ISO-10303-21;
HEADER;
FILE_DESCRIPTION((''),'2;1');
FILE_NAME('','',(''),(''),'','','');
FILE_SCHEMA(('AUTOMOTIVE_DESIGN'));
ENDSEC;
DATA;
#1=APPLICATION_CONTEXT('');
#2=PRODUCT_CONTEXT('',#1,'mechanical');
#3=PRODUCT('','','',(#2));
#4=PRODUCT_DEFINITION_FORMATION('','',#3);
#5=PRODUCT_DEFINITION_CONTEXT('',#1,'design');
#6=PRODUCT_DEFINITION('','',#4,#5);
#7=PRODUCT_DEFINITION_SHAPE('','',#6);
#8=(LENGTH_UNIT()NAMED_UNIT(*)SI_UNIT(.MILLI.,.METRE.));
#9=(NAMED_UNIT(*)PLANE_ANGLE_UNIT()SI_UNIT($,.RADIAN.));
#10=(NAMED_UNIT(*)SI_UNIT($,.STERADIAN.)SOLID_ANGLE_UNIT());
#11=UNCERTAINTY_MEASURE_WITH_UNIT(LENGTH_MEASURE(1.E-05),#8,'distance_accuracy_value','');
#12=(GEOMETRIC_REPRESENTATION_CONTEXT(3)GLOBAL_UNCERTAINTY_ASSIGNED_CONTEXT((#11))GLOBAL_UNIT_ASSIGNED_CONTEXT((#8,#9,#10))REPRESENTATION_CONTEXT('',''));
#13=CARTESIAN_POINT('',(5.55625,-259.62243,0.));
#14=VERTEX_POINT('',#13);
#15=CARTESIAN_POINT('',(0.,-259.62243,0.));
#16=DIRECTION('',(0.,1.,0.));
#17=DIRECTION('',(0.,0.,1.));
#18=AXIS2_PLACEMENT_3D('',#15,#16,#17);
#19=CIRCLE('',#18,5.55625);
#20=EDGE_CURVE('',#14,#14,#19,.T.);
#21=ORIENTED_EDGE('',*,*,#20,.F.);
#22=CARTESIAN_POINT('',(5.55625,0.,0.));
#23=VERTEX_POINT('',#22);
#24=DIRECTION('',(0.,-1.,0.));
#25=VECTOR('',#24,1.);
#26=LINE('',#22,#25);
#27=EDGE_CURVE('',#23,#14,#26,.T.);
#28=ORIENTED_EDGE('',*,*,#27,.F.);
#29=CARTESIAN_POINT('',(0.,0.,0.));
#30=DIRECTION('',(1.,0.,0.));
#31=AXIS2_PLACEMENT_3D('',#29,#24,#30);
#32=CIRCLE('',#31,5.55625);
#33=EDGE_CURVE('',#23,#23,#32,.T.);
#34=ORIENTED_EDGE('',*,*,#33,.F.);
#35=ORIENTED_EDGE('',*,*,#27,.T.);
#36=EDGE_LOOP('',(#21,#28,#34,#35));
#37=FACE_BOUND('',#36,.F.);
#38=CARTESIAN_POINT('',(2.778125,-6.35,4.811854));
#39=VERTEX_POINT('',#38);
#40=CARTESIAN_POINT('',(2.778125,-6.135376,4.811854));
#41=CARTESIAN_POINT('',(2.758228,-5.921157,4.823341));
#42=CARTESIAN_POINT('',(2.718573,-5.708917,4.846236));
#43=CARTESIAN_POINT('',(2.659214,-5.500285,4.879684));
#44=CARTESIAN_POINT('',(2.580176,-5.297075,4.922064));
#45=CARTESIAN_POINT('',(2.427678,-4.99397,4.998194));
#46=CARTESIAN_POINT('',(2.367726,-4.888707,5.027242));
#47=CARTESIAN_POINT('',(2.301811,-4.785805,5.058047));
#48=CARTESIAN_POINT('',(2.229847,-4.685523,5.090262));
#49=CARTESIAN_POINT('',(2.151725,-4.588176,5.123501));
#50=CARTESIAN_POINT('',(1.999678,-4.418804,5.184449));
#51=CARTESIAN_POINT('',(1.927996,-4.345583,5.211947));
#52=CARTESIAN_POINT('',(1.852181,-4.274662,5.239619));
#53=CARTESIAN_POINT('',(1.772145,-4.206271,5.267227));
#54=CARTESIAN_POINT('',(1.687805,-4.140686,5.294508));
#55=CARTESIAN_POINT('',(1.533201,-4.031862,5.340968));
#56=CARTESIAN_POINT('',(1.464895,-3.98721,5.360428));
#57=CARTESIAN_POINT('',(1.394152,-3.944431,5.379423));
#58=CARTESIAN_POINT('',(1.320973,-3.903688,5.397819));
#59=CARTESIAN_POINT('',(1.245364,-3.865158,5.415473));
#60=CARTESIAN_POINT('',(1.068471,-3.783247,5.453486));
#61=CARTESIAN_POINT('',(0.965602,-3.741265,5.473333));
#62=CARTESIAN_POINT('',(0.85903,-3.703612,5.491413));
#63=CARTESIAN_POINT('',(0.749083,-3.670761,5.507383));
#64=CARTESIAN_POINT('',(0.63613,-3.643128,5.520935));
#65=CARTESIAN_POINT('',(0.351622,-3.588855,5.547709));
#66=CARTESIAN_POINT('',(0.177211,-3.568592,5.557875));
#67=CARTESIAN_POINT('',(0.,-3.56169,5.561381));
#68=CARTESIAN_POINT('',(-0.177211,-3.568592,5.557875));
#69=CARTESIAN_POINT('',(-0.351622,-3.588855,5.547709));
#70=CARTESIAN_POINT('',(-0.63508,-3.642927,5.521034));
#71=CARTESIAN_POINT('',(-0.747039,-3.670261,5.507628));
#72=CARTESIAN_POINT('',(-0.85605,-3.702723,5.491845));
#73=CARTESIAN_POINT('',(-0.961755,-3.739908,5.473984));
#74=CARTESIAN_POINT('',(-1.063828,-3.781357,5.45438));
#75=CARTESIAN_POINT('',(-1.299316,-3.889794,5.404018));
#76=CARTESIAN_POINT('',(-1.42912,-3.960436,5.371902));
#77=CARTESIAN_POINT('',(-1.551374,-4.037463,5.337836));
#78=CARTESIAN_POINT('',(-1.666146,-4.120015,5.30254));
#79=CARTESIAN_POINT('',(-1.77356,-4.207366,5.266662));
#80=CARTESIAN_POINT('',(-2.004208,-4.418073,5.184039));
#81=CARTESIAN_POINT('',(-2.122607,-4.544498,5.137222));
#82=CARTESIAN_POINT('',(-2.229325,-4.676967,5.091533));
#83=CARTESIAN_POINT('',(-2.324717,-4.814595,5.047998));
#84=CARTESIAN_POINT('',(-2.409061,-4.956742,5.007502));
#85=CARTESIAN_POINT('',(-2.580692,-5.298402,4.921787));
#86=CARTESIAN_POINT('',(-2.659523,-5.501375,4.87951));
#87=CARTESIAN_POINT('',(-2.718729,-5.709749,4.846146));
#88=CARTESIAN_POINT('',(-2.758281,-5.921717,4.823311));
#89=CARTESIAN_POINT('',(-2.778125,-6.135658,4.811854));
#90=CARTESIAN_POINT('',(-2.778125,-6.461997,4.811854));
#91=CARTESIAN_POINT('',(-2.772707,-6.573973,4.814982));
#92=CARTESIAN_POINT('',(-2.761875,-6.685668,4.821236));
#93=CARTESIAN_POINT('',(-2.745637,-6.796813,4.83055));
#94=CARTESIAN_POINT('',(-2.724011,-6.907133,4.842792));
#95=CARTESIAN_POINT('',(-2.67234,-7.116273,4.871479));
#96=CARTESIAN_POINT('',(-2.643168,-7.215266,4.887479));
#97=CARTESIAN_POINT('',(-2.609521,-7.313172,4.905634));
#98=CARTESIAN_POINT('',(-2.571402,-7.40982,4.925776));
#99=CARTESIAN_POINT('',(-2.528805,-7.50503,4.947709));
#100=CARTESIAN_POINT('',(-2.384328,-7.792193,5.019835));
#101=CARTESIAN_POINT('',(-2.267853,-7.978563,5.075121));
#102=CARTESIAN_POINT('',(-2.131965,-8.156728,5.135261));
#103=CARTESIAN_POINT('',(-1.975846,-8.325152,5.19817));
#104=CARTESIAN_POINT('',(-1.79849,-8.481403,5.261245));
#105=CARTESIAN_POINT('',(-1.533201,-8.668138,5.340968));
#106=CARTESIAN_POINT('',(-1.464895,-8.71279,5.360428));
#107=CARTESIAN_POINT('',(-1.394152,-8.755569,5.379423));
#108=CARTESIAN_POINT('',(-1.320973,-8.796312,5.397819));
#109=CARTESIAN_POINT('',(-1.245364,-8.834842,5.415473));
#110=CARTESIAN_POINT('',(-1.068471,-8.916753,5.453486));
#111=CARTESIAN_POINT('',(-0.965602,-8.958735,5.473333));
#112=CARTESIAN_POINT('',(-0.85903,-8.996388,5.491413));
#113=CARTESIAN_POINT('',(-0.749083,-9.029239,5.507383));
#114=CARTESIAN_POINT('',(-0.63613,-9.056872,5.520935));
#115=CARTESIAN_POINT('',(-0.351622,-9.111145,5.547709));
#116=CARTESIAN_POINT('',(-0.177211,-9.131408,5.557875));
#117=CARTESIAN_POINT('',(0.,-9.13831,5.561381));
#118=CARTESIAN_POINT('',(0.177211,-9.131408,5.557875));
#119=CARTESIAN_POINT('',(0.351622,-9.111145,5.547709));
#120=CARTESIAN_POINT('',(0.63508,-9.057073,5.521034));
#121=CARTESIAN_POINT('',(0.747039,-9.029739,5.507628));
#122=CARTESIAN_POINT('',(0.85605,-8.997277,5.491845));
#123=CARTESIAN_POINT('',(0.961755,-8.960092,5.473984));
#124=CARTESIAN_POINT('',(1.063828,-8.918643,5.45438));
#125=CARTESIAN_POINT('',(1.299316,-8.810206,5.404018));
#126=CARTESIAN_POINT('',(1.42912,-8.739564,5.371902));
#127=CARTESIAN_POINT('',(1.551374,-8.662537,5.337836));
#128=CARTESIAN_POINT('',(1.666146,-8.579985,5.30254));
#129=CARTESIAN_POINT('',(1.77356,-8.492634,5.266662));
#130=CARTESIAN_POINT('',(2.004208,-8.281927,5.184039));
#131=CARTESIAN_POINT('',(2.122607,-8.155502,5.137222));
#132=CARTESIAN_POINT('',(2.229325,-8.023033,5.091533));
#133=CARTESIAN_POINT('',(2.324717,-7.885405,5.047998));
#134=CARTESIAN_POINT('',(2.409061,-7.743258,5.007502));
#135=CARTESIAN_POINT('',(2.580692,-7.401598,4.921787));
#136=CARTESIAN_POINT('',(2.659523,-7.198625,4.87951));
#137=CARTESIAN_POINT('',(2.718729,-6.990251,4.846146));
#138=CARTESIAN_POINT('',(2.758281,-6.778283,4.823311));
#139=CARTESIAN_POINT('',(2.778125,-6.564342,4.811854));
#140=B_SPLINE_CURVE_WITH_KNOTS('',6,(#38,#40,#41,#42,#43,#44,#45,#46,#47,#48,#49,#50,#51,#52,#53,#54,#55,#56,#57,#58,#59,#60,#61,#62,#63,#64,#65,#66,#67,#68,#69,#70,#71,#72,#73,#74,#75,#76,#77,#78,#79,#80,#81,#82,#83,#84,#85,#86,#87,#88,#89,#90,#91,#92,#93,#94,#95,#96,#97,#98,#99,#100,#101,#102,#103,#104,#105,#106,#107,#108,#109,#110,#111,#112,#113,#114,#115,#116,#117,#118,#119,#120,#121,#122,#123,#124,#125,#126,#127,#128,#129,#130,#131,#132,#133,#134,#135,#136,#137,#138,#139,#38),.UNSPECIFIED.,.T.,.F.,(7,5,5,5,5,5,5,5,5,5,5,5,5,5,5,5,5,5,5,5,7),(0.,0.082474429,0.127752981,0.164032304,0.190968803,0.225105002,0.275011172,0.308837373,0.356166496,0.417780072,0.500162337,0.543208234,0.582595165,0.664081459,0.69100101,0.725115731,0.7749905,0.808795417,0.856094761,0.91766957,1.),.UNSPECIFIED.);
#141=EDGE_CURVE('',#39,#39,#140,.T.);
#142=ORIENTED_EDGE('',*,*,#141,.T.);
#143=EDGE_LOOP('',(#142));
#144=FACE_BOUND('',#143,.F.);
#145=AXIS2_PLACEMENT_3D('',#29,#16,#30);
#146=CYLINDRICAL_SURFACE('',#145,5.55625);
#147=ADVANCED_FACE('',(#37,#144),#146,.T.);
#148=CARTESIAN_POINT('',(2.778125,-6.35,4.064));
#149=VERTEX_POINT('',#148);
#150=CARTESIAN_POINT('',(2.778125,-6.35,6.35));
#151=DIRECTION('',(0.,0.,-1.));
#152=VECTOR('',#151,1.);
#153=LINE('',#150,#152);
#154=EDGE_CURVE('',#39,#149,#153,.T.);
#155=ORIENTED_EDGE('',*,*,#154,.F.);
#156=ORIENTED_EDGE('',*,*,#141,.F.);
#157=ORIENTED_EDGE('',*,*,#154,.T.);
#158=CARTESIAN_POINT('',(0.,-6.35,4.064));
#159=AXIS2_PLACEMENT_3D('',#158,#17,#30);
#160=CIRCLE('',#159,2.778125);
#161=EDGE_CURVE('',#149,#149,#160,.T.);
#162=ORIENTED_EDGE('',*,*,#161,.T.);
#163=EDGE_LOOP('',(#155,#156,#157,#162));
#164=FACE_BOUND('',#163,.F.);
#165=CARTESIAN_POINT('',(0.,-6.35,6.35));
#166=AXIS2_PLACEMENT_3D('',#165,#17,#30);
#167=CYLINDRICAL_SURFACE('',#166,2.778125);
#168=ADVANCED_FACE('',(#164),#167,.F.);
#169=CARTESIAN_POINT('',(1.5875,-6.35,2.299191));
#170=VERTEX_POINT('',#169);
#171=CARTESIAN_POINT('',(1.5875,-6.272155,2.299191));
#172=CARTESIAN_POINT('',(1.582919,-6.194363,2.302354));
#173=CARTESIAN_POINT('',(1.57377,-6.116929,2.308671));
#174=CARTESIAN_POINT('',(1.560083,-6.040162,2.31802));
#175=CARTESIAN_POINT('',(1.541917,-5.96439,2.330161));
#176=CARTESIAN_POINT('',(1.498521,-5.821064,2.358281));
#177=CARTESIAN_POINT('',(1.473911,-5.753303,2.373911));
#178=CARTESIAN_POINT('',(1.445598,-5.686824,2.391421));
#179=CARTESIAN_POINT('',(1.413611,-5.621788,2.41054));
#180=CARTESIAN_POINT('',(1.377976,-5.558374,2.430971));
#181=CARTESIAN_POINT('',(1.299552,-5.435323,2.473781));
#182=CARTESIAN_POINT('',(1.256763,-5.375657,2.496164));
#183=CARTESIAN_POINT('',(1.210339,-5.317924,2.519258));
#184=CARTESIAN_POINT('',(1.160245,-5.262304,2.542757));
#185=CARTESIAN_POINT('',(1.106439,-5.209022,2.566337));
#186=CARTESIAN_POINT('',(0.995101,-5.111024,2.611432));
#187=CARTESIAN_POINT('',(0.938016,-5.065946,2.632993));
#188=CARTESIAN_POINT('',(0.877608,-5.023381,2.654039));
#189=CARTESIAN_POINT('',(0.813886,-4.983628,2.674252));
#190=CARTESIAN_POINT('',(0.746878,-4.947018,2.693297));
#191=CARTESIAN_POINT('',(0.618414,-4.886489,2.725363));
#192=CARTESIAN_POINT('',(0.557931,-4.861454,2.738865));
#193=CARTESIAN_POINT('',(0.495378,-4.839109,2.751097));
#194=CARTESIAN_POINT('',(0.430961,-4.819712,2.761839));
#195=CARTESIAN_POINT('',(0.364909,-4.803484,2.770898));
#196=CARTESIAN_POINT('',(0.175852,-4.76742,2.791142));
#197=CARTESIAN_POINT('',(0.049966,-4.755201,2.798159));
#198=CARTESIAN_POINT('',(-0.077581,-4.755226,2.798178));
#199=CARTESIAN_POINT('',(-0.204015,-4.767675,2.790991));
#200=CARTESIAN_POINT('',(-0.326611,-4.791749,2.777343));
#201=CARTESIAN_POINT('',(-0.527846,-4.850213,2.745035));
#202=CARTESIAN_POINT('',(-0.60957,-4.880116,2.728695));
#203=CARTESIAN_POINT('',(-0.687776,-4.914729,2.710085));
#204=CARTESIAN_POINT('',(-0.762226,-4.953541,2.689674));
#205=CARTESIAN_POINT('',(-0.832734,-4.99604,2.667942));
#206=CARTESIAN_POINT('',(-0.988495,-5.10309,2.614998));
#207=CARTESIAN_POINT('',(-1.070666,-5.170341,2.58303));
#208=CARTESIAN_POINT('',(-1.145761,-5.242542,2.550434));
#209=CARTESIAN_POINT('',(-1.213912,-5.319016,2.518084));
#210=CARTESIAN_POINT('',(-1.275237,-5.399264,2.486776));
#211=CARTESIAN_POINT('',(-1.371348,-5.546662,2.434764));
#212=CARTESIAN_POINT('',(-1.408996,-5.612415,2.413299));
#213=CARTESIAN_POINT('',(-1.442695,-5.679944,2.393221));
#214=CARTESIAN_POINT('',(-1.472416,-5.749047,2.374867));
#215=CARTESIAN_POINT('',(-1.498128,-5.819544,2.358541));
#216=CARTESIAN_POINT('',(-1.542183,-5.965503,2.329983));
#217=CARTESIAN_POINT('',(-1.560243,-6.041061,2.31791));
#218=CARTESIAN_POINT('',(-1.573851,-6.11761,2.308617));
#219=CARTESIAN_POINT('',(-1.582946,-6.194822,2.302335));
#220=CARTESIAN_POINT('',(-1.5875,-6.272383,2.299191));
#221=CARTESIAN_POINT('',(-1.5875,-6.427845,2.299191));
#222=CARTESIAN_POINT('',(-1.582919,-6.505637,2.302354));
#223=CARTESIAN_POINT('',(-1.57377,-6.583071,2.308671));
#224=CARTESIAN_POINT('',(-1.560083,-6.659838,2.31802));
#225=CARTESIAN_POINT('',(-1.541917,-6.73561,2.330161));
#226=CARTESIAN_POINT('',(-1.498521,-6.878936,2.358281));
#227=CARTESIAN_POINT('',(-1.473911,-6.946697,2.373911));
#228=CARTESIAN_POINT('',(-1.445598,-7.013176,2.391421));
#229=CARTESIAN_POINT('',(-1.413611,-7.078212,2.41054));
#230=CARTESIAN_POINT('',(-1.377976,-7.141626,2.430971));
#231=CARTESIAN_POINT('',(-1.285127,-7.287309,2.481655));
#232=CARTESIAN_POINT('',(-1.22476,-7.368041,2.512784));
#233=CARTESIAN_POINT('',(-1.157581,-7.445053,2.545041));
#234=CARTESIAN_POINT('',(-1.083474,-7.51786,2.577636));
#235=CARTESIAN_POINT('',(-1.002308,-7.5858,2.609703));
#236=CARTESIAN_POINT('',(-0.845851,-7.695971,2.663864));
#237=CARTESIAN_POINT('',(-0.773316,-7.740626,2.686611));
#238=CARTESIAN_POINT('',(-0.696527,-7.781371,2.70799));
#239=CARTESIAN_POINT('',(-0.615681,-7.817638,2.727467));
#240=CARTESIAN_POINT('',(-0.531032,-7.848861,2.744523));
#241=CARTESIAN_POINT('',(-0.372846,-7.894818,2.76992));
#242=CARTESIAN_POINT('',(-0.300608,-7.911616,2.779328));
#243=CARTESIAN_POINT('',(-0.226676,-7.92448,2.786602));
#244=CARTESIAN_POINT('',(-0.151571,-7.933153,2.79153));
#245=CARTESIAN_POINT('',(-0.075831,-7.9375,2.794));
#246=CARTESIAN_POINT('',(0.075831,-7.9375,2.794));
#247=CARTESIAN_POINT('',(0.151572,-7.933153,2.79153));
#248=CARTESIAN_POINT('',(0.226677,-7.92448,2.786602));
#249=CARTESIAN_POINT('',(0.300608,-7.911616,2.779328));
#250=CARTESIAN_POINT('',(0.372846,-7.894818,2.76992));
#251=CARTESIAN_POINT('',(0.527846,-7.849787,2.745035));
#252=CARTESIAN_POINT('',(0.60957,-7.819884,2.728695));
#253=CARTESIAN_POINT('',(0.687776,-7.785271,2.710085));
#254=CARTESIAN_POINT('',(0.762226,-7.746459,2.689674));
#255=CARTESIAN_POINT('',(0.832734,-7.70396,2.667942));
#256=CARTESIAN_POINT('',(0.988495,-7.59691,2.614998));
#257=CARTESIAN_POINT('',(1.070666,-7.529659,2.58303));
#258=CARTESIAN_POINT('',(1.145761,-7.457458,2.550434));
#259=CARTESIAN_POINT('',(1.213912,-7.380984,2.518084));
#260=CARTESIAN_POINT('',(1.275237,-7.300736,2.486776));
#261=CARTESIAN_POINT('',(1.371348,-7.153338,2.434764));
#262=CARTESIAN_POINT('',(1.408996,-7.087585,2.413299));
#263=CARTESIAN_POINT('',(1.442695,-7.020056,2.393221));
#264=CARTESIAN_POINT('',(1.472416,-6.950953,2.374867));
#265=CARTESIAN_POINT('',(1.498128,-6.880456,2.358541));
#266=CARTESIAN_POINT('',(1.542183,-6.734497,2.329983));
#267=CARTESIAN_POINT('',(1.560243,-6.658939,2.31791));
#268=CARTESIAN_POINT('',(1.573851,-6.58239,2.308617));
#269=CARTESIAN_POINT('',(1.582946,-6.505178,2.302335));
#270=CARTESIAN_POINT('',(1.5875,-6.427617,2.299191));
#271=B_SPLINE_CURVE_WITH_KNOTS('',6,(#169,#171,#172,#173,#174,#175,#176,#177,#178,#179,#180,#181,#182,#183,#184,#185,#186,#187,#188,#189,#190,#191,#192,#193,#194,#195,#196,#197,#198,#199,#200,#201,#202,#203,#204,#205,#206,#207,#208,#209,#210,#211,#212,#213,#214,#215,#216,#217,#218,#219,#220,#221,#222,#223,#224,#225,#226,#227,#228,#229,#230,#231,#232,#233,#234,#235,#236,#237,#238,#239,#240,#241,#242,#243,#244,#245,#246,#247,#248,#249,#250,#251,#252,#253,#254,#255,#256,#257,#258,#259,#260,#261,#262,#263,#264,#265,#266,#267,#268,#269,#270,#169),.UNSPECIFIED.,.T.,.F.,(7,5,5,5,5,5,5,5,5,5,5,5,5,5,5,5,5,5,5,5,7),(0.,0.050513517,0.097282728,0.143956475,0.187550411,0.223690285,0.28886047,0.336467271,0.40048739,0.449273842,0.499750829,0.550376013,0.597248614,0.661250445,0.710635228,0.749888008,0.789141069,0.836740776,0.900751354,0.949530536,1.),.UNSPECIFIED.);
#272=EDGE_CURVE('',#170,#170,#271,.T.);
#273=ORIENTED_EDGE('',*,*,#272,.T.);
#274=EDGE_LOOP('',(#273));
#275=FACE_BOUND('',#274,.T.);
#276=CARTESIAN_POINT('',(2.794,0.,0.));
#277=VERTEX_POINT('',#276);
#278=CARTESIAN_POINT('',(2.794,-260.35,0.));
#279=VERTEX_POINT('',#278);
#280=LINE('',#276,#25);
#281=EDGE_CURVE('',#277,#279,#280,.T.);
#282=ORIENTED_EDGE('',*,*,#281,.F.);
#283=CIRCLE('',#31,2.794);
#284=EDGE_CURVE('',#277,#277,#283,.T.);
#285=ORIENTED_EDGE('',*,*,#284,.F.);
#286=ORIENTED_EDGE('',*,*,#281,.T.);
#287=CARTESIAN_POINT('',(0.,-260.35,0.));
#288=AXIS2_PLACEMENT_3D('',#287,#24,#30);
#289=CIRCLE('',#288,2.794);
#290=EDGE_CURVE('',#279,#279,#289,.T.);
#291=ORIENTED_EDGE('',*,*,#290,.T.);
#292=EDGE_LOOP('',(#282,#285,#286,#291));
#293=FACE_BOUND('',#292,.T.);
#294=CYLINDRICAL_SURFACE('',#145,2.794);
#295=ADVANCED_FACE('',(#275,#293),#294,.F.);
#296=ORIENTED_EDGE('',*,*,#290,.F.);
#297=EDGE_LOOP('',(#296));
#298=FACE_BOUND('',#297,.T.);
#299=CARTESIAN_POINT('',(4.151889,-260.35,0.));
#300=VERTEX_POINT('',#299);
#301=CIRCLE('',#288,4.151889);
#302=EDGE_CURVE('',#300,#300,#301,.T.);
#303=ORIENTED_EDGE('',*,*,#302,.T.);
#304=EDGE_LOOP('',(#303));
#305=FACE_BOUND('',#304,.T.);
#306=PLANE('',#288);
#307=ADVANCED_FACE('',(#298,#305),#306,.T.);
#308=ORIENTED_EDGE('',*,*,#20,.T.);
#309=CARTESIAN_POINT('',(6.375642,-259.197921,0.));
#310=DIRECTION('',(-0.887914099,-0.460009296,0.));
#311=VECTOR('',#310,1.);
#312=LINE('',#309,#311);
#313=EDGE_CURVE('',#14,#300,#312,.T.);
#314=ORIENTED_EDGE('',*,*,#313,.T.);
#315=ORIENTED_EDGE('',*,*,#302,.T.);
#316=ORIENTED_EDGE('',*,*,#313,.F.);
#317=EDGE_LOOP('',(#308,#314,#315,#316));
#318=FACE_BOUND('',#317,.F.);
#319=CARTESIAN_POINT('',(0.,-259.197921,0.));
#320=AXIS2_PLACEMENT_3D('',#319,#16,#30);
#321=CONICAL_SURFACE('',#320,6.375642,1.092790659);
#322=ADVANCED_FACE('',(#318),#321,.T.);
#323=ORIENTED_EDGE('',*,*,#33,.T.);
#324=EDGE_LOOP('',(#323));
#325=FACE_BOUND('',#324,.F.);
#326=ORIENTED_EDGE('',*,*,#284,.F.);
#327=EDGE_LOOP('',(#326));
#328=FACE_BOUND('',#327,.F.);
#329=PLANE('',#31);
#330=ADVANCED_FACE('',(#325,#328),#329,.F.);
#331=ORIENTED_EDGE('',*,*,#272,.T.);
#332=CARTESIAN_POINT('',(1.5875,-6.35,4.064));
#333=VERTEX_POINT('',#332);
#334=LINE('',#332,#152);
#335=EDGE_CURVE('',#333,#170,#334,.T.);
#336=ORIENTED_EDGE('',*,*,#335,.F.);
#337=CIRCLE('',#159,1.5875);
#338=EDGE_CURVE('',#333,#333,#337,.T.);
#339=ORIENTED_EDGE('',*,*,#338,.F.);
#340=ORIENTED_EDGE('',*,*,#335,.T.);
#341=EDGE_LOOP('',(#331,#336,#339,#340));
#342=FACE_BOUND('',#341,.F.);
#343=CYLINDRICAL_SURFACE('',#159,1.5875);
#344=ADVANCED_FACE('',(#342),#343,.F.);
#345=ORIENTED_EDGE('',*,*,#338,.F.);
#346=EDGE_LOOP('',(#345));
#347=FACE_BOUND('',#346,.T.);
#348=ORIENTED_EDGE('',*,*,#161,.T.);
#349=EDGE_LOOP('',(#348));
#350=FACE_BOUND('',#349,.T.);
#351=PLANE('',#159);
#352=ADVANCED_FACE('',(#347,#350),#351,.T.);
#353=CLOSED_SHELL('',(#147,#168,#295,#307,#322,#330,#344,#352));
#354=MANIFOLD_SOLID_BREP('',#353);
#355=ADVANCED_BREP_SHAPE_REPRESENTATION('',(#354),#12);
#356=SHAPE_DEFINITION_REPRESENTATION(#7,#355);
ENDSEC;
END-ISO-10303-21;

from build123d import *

# Parameters (mm, degrees)
F0_R     = 5.55625
F0_R_2   = 2.794
F1_DEPTH = 260.35
F3_R     = 2.778125
F4_DEPTH = 2.286
F5_R     = 1.5875
F6_DEPTH = 2.286


with BuildPart() as f1:
    # F0 (on Front) → F1 (new body)
    with BuildSketch(Plane.XZ):
        Circle(F0_R)
        Circle(F0_R_2, mode=Mode.SUBTRACT)
    extrude(amount=F1_DEPTH)

    # F3 (on offset) → F4 (cut)
    with BuildSketch(Plane.XY.offset(6.35)):
        with Locations((0, -6.35)):
            Circle(F3_R)
    extrude(amount=-F4_DEPTH, mode=Mode.SUBTRACT)

    # F5 (on face) → F6 (cut)
    with BuildSketch(Plane.XY.offset(4.064)):
        with Locations((0, -6.35)):
            Circle(F5_R)
    extrude(amount=-F6_DEPTH, mode=Mode.SUBTRACT)

    # F7 (on Top) → F8 (revolve, cut)
    with BuildSketch(Plane.XY):
        Polygon((6.375642, -259.197921), (3.892762, -260.484248), (6.375642, -261.022687), align=None)
    revolve(axis=Axis((0, -258.301109, 0), (0, 1, 0)), mode=Mode.SUBTRACT)


solid = f1.part
